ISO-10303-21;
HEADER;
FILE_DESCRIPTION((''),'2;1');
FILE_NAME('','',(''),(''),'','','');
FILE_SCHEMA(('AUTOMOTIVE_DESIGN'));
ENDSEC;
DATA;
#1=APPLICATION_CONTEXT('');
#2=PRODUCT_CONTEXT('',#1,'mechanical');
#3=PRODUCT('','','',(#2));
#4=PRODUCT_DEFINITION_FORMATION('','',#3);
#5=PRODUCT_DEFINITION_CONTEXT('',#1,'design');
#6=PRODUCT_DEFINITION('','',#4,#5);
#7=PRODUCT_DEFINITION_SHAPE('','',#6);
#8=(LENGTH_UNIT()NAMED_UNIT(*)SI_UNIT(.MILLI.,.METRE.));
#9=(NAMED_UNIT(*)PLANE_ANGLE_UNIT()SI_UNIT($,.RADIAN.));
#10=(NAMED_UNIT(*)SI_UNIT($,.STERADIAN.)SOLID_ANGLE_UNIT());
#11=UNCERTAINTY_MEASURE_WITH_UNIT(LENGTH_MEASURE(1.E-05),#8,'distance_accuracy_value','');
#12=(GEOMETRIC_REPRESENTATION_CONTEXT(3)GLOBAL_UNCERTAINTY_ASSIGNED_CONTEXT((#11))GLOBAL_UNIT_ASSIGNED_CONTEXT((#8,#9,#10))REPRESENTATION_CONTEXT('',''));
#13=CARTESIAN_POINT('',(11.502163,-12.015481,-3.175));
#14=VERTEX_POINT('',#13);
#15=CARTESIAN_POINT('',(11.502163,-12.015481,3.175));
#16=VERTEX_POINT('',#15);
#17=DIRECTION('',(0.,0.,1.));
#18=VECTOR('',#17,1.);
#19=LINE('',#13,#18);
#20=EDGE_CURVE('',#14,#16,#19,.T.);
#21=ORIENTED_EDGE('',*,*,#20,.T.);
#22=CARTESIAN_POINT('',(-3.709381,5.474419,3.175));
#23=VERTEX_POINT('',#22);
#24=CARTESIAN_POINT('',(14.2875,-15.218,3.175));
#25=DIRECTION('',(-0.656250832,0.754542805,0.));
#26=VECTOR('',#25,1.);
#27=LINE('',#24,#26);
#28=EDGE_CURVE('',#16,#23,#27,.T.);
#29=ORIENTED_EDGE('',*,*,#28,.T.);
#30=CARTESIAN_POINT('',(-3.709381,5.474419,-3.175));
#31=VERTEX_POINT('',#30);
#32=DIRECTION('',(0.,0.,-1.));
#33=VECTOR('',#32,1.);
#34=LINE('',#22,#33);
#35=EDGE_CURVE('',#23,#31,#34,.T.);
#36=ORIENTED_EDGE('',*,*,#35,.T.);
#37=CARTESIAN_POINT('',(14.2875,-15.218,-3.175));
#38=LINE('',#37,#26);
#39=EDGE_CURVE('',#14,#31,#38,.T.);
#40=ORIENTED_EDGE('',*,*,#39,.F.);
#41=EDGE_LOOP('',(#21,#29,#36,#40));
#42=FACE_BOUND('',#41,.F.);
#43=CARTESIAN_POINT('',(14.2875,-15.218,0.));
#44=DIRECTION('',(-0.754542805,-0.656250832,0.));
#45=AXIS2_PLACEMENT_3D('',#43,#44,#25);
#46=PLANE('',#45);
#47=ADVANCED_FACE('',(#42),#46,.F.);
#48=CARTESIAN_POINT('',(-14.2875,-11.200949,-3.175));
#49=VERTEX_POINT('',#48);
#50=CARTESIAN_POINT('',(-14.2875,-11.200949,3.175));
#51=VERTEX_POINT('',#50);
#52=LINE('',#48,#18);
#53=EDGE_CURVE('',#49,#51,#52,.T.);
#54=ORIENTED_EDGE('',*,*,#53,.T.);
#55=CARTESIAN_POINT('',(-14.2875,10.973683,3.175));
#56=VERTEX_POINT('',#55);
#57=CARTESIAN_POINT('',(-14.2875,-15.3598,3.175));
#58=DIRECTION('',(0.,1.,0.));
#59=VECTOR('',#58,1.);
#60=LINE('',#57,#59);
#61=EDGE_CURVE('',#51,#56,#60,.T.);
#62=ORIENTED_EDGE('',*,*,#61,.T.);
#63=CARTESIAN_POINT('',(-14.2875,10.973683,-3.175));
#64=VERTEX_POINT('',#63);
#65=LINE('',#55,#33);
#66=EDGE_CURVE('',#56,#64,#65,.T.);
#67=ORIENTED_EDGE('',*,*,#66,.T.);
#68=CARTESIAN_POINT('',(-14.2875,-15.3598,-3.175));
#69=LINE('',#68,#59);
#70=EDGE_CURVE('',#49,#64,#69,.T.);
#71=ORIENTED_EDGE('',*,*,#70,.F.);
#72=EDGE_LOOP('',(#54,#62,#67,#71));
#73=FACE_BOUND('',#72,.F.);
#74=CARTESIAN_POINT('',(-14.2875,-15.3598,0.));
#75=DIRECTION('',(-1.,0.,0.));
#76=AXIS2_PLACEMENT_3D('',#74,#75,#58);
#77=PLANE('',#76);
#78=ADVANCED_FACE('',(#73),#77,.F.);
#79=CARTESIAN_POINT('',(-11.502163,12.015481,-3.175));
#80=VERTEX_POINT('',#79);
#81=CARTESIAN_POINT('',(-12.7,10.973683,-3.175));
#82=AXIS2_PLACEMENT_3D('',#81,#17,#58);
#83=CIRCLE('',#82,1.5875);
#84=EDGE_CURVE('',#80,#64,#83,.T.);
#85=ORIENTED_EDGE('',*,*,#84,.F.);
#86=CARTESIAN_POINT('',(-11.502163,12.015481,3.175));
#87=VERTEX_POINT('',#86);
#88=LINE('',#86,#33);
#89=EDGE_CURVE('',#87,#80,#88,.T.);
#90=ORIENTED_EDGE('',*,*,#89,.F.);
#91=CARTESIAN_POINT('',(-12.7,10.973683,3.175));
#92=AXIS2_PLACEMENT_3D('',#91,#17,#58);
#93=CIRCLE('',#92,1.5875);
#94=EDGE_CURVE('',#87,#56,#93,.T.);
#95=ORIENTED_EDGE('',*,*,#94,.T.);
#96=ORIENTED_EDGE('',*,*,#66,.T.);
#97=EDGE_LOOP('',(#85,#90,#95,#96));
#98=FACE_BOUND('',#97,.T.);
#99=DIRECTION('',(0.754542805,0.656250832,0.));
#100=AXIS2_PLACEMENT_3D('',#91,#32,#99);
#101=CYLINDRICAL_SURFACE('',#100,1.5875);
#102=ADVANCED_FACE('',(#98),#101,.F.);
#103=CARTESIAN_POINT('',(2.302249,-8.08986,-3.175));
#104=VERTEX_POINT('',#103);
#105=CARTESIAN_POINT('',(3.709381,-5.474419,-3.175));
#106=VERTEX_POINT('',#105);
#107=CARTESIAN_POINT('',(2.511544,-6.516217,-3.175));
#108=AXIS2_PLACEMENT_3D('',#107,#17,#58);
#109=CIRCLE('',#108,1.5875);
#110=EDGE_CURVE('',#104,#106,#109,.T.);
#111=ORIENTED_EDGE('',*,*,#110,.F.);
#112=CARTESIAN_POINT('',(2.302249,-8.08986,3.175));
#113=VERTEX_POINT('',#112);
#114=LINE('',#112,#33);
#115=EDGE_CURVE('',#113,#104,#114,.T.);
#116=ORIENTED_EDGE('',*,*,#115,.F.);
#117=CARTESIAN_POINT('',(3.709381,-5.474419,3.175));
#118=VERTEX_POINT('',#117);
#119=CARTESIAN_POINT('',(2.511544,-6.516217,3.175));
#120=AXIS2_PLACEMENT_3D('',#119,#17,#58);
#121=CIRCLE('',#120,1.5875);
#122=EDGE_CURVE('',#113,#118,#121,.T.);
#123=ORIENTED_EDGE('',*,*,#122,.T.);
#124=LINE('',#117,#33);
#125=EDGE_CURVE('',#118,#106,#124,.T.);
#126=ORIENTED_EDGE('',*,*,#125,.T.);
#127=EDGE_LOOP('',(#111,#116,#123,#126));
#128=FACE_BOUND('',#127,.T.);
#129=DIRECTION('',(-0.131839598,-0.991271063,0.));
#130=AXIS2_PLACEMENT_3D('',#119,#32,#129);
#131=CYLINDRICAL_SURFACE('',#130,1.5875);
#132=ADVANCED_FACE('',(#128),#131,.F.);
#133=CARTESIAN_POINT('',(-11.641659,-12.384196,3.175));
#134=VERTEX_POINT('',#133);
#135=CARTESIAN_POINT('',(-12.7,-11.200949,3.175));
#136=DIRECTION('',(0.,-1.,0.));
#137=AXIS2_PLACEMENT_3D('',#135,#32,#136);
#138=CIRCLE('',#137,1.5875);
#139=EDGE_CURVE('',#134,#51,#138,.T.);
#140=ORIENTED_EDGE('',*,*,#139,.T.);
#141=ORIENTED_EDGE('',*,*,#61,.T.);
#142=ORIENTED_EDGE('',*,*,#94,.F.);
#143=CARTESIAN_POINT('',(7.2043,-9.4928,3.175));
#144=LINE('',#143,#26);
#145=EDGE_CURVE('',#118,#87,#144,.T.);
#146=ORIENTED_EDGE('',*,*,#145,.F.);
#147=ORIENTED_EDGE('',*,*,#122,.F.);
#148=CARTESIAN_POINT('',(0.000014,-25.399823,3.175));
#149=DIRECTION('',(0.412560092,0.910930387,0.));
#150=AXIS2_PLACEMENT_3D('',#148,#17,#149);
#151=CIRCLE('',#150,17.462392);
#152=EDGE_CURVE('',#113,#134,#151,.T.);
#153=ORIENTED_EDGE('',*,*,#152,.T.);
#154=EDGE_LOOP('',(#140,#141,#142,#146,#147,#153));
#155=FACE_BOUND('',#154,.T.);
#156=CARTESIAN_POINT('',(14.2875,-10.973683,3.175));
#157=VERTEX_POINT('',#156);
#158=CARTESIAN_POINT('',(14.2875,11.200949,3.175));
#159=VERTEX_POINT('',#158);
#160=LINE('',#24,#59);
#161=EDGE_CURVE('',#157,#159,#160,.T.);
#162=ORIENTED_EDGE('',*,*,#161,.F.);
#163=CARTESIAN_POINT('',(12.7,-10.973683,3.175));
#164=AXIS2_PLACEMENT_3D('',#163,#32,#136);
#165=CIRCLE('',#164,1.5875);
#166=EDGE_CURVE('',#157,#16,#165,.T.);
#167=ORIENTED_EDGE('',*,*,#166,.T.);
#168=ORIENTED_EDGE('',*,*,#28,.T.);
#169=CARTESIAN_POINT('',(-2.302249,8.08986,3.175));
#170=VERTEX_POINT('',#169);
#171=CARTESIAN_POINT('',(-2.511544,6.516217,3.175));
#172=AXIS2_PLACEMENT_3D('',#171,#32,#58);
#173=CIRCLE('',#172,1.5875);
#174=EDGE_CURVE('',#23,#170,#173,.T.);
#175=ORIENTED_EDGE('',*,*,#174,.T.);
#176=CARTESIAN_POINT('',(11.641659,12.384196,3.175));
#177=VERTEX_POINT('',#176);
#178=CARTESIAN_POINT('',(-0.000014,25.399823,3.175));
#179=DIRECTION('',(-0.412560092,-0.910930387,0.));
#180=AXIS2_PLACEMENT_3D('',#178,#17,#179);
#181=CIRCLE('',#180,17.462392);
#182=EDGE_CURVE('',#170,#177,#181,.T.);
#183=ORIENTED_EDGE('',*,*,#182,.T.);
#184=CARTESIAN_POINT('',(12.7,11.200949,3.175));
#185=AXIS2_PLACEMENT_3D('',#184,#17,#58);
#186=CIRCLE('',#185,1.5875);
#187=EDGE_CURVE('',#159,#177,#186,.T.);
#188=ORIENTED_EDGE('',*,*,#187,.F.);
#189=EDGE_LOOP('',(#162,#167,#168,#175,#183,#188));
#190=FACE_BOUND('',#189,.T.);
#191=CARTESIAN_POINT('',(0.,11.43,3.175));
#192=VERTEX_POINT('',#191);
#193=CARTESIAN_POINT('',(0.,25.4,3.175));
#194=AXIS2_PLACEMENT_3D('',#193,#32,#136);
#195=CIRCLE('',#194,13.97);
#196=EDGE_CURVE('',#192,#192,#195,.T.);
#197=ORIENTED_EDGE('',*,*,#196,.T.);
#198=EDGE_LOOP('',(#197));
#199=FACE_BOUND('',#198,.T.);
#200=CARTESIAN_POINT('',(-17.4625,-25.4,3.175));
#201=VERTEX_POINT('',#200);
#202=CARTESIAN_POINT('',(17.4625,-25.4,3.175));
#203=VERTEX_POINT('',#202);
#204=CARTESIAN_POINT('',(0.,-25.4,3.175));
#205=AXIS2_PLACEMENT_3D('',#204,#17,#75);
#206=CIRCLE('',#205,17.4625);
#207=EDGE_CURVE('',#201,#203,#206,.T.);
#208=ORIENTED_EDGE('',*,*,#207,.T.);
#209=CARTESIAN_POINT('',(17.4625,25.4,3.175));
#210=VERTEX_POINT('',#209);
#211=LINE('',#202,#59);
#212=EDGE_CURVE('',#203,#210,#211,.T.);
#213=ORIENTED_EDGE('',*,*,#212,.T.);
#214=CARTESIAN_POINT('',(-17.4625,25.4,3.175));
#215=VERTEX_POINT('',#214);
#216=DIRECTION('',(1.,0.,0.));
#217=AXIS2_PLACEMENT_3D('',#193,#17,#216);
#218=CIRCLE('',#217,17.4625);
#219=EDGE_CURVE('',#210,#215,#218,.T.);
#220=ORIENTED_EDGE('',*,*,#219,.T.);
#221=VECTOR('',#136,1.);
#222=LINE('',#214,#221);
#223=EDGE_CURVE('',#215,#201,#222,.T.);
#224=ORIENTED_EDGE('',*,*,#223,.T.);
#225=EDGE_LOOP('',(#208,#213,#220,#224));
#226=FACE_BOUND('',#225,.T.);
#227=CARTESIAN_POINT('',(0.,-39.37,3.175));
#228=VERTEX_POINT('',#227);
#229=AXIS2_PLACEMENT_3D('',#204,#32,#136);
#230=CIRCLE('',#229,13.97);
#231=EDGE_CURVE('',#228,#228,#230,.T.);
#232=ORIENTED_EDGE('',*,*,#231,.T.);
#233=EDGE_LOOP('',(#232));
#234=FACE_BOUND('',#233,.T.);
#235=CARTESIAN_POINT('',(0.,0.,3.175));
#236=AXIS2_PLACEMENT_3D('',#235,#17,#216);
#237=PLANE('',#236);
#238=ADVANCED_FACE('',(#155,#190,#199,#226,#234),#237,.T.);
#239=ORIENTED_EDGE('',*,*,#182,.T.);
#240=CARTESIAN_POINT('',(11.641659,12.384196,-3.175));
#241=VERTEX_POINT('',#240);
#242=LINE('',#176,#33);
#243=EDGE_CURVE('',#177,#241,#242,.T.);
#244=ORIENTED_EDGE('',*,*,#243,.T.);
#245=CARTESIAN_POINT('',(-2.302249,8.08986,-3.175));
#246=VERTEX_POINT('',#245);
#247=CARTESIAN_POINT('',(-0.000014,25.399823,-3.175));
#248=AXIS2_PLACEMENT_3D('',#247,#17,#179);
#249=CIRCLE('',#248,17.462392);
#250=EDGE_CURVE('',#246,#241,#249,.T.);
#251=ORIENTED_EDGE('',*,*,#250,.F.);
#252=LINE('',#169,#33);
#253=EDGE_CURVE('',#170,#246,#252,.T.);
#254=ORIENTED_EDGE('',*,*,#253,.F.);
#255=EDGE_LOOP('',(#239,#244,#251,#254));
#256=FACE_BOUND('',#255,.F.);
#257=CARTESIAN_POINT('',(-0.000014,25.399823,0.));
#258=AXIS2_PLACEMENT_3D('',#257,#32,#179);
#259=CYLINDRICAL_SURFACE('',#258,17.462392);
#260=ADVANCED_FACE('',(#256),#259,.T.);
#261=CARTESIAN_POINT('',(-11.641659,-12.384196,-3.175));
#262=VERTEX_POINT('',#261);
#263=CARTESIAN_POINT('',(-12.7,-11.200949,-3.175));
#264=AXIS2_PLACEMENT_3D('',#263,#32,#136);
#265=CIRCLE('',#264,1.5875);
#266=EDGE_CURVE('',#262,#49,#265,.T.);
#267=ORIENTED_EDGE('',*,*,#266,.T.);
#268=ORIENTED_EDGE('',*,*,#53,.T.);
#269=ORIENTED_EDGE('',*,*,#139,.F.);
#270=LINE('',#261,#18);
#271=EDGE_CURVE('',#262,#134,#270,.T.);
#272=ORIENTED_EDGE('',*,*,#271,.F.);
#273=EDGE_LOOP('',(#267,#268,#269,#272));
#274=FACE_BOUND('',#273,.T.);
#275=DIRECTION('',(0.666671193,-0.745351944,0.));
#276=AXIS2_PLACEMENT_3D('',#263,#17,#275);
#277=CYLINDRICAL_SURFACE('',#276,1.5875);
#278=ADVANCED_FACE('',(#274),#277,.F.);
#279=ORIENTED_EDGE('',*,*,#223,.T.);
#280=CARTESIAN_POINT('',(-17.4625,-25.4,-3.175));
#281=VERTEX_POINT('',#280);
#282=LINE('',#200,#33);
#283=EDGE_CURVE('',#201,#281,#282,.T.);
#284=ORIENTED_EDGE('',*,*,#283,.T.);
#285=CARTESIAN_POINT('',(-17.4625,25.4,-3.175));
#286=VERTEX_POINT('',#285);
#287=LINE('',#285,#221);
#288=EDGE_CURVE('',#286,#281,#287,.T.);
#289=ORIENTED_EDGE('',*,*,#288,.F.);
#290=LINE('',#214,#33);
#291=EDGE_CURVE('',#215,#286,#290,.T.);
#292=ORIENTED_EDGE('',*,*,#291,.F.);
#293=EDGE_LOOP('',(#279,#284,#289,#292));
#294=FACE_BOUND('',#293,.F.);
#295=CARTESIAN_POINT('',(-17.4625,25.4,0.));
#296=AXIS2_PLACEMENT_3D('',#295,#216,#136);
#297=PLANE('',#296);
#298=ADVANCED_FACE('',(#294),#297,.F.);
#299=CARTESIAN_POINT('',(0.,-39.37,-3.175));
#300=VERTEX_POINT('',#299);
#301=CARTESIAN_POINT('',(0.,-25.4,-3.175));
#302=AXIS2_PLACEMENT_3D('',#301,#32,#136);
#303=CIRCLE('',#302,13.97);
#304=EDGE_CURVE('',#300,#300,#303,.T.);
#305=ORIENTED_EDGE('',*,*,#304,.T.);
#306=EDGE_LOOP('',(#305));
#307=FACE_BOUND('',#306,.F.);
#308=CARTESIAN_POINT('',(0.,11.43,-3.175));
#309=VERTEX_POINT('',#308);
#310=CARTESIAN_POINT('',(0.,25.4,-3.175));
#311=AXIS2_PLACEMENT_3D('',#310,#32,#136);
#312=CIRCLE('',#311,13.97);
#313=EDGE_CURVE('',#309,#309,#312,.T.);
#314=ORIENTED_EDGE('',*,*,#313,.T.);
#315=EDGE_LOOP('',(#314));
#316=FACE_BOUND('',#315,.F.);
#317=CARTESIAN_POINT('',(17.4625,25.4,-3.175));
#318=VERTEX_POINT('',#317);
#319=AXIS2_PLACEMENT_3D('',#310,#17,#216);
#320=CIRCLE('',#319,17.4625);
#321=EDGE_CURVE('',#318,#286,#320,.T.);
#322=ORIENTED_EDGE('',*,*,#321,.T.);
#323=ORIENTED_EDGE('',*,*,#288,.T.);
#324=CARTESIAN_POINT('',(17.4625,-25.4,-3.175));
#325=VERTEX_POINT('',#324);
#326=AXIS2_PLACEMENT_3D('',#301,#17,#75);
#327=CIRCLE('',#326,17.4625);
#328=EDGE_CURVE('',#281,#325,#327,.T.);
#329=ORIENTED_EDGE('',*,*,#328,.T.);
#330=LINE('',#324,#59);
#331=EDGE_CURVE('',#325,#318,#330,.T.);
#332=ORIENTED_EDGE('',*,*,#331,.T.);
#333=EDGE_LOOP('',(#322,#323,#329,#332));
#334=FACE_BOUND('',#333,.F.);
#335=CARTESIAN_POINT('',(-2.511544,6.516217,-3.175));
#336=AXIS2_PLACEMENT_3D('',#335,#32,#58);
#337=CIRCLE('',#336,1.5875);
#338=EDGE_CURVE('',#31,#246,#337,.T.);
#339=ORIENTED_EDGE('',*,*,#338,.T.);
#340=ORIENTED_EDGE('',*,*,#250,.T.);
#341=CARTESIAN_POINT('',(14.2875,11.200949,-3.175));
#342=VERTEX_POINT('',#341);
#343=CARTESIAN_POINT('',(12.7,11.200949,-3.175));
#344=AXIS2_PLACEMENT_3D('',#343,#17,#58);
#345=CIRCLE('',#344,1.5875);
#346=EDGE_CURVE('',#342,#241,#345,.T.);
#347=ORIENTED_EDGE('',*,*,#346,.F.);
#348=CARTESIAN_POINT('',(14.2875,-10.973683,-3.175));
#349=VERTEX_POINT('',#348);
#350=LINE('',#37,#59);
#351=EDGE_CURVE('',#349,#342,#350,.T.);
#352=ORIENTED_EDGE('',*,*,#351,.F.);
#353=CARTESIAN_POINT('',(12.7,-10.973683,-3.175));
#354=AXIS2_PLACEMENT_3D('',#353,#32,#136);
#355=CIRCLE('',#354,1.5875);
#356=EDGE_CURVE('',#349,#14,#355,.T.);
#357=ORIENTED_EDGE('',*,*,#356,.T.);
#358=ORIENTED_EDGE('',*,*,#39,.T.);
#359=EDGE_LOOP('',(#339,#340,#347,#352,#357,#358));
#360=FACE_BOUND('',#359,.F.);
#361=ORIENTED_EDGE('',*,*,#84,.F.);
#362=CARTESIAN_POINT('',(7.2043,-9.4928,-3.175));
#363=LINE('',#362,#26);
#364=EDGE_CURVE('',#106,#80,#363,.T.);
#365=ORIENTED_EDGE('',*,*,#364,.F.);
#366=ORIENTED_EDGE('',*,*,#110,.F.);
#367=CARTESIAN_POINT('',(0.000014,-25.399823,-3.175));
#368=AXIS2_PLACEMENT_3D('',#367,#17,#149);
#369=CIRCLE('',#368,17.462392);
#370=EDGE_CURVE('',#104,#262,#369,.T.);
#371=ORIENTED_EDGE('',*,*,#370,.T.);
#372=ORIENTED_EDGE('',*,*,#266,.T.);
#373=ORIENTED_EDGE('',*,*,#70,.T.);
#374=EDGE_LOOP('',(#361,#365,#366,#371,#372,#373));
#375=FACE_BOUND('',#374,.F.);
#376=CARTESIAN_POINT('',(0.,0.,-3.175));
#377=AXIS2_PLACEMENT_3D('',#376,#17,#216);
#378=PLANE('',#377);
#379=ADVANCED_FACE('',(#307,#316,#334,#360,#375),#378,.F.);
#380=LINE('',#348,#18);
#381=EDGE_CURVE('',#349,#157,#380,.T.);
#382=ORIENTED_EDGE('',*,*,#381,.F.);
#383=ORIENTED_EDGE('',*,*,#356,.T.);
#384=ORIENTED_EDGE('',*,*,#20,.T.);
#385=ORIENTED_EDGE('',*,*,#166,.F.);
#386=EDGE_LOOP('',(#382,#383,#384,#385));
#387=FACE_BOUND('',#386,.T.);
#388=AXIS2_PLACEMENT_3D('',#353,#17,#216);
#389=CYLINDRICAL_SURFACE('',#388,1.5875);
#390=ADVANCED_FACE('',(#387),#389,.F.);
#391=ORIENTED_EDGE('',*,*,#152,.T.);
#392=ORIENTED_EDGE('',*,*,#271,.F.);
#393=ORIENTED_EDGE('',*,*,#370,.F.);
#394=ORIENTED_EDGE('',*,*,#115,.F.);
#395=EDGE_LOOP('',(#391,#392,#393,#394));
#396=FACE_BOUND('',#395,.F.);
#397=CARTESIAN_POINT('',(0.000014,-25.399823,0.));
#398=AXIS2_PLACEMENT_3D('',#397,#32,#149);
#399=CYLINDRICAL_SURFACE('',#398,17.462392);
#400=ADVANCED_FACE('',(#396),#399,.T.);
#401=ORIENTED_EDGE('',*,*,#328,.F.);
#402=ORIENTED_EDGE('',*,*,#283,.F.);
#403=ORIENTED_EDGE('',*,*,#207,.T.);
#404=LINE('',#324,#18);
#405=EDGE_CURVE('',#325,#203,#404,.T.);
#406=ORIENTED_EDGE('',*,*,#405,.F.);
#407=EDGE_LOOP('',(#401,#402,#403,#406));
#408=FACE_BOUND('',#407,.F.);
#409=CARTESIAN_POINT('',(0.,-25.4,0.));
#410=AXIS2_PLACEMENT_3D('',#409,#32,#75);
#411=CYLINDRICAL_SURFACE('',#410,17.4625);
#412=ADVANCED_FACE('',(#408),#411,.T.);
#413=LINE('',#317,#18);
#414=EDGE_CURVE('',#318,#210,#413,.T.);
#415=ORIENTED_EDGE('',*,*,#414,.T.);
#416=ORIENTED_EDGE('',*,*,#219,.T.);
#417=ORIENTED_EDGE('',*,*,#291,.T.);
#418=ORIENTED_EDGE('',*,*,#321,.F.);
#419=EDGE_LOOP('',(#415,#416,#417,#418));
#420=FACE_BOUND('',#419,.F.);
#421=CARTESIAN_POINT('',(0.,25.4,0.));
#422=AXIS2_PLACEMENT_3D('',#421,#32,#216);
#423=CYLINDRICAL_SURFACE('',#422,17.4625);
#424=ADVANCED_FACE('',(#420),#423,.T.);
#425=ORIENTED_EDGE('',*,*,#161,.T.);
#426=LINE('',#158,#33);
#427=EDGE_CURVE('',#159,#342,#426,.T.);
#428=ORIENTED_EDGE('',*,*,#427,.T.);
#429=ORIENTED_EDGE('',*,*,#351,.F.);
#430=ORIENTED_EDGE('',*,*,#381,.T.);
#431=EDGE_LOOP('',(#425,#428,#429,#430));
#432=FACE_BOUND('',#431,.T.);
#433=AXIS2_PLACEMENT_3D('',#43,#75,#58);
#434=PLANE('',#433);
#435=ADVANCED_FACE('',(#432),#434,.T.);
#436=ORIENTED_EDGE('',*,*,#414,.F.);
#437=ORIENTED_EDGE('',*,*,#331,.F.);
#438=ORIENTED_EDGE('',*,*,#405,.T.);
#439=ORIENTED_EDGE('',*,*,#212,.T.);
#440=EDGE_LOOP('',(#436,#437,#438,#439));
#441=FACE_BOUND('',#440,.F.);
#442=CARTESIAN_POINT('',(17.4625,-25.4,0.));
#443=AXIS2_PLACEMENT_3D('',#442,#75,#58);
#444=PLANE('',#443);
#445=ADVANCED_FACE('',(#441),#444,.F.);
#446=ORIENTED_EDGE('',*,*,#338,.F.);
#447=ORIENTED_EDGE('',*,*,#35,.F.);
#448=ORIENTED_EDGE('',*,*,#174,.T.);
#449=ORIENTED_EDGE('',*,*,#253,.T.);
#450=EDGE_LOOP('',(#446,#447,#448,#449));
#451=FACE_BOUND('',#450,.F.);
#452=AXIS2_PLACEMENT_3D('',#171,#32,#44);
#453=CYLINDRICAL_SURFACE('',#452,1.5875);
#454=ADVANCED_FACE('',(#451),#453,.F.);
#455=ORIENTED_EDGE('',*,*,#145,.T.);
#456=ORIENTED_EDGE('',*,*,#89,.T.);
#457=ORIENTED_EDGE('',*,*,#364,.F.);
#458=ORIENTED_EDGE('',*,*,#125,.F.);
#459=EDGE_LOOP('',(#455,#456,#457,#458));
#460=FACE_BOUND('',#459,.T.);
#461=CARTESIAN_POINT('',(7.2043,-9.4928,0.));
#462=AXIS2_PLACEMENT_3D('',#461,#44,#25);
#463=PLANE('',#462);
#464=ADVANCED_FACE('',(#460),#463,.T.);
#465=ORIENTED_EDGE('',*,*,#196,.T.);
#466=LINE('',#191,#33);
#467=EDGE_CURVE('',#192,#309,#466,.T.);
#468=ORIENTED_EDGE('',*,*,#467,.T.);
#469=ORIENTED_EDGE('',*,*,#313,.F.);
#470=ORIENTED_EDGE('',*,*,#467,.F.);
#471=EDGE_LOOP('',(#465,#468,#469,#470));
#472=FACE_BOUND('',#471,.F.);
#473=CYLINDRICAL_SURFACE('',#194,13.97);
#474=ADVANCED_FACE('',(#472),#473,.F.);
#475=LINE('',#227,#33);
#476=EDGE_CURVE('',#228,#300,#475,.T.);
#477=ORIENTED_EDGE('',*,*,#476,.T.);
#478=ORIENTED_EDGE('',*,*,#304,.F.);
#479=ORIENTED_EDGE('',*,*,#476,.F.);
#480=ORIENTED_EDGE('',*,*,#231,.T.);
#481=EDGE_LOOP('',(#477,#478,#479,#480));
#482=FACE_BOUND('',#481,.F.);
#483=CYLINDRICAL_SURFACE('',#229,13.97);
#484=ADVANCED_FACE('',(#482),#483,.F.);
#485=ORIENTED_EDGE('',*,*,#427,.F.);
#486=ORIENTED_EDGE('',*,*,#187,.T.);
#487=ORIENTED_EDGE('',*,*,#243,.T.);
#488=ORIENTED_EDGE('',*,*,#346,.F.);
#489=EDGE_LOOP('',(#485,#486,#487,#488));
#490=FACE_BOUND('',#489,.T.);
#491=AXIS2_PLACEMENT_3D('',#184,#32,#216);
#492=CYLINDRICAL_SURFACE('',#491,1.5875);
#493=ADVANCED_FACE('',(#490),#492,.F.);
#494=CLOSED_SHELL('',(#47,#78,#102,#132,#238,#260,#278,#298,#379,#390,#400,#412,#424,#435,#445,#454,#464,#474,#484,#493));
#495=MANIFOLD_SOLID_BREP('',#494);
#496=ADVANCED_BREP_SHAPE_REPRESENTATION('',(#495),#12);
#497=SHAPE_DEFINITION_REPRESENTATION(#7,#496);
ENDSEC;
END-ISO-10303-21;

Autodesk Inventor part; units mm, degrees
ref_plane "YZ Plane" through (0, 0, 0) normal (1, 0, 0) x (0, 1, 0)
ref_plane "XZ Plane" through (0, 0, 0) normal (0, 1, 0) x (-1, 0, 0)
ref_plane "XY Plane" through (0, 0, 0) normal (0, 0, 1) x (1, 0, 0)
sketch "Sketch2" plane through (0, 0, 0) normal (0, 0, 1) x (1, 0, 0)
  line L0 (0, -25.4) -> (0, 25.4) construction
  line L1 (17.4625, -25.4) -> (17.4625, 25.4)
  line L2 (-17.4625, 25.4) -> (-17.4625, -25.4)
  circle A0 centre (0, -25.4) radius 14.2875 construction
  circle A1 centre (0, 25.4) radius 14.2875 construction
  line L3 (-14.2875, -15.3598) -> (-14.2875, 15.218)
  line L4 (7.2043, -9.4928) -> (-14.2875, 15.218)
  line L5 (14.2875, -15.218) -> (-7.2043, 9.4928)
  line L6 (14.2875, -15.218) -> (14.2875, 15.3598)
  arc A2 (-17.4625, -25.4) -> (17.4625, -25.4) centre (0, -25.4) ccw
  arc A3 (7.2043, -9.4928) -> (-14.2875, -15.3598) centre (0, -25.4) ccw
  arc A4 (17.4625, 25.4) -> (-17.4625, 25.4) centre (0, 25.4) ccw
  arc A5 (-7.2043, 9.4928) -> (14.2875, 15.3598) centre (0, 25.4) ccw
  point P0 (0, 0)
  dimension "d3" = 28.575
  dimension "d4" = 50.8
  dimension "d15" = 1.5875
  dimension "d16" = 17.4625
  dimension "d18" = 3.175
extrude "Extrusion1" add sketch "Sketch2" along normal mid plane 6.35
sketch "Sketch3" plane through (0, 0, 3.175) normal (0, 0, 1) x (1, 0, 0)
  arc A0 (-17.4625, -25.4) -> (17.4625, -25.4) centre (0, -25.4) ccw construction
  arc A1 (17.4625, 25.4) -> (-17.4625, 25.4) centre (0, 25.4) ccw construction
  point P0 (0, 0)
  point P1 (0, 25.4)
hole "Hole1" at (0, -25.4, 3.175) at (0, 25.4, 3.175) direction (0, 0, -1) diameter 27.94 end through all
fillet "Fillet1" radius 1.5875 6 edges at (14.2875, -15.218, 0) (7.2043, -9.4928, 0) (14.2875, 15.3598, 0) (-7.2043, 9.4928, 0) (-14.2875, -15.3598, 0) (-14.2875, 15.218, 0)
properties part number "BRACE,SHAFT,ELEVATOR" material "Aluminum 7075"
